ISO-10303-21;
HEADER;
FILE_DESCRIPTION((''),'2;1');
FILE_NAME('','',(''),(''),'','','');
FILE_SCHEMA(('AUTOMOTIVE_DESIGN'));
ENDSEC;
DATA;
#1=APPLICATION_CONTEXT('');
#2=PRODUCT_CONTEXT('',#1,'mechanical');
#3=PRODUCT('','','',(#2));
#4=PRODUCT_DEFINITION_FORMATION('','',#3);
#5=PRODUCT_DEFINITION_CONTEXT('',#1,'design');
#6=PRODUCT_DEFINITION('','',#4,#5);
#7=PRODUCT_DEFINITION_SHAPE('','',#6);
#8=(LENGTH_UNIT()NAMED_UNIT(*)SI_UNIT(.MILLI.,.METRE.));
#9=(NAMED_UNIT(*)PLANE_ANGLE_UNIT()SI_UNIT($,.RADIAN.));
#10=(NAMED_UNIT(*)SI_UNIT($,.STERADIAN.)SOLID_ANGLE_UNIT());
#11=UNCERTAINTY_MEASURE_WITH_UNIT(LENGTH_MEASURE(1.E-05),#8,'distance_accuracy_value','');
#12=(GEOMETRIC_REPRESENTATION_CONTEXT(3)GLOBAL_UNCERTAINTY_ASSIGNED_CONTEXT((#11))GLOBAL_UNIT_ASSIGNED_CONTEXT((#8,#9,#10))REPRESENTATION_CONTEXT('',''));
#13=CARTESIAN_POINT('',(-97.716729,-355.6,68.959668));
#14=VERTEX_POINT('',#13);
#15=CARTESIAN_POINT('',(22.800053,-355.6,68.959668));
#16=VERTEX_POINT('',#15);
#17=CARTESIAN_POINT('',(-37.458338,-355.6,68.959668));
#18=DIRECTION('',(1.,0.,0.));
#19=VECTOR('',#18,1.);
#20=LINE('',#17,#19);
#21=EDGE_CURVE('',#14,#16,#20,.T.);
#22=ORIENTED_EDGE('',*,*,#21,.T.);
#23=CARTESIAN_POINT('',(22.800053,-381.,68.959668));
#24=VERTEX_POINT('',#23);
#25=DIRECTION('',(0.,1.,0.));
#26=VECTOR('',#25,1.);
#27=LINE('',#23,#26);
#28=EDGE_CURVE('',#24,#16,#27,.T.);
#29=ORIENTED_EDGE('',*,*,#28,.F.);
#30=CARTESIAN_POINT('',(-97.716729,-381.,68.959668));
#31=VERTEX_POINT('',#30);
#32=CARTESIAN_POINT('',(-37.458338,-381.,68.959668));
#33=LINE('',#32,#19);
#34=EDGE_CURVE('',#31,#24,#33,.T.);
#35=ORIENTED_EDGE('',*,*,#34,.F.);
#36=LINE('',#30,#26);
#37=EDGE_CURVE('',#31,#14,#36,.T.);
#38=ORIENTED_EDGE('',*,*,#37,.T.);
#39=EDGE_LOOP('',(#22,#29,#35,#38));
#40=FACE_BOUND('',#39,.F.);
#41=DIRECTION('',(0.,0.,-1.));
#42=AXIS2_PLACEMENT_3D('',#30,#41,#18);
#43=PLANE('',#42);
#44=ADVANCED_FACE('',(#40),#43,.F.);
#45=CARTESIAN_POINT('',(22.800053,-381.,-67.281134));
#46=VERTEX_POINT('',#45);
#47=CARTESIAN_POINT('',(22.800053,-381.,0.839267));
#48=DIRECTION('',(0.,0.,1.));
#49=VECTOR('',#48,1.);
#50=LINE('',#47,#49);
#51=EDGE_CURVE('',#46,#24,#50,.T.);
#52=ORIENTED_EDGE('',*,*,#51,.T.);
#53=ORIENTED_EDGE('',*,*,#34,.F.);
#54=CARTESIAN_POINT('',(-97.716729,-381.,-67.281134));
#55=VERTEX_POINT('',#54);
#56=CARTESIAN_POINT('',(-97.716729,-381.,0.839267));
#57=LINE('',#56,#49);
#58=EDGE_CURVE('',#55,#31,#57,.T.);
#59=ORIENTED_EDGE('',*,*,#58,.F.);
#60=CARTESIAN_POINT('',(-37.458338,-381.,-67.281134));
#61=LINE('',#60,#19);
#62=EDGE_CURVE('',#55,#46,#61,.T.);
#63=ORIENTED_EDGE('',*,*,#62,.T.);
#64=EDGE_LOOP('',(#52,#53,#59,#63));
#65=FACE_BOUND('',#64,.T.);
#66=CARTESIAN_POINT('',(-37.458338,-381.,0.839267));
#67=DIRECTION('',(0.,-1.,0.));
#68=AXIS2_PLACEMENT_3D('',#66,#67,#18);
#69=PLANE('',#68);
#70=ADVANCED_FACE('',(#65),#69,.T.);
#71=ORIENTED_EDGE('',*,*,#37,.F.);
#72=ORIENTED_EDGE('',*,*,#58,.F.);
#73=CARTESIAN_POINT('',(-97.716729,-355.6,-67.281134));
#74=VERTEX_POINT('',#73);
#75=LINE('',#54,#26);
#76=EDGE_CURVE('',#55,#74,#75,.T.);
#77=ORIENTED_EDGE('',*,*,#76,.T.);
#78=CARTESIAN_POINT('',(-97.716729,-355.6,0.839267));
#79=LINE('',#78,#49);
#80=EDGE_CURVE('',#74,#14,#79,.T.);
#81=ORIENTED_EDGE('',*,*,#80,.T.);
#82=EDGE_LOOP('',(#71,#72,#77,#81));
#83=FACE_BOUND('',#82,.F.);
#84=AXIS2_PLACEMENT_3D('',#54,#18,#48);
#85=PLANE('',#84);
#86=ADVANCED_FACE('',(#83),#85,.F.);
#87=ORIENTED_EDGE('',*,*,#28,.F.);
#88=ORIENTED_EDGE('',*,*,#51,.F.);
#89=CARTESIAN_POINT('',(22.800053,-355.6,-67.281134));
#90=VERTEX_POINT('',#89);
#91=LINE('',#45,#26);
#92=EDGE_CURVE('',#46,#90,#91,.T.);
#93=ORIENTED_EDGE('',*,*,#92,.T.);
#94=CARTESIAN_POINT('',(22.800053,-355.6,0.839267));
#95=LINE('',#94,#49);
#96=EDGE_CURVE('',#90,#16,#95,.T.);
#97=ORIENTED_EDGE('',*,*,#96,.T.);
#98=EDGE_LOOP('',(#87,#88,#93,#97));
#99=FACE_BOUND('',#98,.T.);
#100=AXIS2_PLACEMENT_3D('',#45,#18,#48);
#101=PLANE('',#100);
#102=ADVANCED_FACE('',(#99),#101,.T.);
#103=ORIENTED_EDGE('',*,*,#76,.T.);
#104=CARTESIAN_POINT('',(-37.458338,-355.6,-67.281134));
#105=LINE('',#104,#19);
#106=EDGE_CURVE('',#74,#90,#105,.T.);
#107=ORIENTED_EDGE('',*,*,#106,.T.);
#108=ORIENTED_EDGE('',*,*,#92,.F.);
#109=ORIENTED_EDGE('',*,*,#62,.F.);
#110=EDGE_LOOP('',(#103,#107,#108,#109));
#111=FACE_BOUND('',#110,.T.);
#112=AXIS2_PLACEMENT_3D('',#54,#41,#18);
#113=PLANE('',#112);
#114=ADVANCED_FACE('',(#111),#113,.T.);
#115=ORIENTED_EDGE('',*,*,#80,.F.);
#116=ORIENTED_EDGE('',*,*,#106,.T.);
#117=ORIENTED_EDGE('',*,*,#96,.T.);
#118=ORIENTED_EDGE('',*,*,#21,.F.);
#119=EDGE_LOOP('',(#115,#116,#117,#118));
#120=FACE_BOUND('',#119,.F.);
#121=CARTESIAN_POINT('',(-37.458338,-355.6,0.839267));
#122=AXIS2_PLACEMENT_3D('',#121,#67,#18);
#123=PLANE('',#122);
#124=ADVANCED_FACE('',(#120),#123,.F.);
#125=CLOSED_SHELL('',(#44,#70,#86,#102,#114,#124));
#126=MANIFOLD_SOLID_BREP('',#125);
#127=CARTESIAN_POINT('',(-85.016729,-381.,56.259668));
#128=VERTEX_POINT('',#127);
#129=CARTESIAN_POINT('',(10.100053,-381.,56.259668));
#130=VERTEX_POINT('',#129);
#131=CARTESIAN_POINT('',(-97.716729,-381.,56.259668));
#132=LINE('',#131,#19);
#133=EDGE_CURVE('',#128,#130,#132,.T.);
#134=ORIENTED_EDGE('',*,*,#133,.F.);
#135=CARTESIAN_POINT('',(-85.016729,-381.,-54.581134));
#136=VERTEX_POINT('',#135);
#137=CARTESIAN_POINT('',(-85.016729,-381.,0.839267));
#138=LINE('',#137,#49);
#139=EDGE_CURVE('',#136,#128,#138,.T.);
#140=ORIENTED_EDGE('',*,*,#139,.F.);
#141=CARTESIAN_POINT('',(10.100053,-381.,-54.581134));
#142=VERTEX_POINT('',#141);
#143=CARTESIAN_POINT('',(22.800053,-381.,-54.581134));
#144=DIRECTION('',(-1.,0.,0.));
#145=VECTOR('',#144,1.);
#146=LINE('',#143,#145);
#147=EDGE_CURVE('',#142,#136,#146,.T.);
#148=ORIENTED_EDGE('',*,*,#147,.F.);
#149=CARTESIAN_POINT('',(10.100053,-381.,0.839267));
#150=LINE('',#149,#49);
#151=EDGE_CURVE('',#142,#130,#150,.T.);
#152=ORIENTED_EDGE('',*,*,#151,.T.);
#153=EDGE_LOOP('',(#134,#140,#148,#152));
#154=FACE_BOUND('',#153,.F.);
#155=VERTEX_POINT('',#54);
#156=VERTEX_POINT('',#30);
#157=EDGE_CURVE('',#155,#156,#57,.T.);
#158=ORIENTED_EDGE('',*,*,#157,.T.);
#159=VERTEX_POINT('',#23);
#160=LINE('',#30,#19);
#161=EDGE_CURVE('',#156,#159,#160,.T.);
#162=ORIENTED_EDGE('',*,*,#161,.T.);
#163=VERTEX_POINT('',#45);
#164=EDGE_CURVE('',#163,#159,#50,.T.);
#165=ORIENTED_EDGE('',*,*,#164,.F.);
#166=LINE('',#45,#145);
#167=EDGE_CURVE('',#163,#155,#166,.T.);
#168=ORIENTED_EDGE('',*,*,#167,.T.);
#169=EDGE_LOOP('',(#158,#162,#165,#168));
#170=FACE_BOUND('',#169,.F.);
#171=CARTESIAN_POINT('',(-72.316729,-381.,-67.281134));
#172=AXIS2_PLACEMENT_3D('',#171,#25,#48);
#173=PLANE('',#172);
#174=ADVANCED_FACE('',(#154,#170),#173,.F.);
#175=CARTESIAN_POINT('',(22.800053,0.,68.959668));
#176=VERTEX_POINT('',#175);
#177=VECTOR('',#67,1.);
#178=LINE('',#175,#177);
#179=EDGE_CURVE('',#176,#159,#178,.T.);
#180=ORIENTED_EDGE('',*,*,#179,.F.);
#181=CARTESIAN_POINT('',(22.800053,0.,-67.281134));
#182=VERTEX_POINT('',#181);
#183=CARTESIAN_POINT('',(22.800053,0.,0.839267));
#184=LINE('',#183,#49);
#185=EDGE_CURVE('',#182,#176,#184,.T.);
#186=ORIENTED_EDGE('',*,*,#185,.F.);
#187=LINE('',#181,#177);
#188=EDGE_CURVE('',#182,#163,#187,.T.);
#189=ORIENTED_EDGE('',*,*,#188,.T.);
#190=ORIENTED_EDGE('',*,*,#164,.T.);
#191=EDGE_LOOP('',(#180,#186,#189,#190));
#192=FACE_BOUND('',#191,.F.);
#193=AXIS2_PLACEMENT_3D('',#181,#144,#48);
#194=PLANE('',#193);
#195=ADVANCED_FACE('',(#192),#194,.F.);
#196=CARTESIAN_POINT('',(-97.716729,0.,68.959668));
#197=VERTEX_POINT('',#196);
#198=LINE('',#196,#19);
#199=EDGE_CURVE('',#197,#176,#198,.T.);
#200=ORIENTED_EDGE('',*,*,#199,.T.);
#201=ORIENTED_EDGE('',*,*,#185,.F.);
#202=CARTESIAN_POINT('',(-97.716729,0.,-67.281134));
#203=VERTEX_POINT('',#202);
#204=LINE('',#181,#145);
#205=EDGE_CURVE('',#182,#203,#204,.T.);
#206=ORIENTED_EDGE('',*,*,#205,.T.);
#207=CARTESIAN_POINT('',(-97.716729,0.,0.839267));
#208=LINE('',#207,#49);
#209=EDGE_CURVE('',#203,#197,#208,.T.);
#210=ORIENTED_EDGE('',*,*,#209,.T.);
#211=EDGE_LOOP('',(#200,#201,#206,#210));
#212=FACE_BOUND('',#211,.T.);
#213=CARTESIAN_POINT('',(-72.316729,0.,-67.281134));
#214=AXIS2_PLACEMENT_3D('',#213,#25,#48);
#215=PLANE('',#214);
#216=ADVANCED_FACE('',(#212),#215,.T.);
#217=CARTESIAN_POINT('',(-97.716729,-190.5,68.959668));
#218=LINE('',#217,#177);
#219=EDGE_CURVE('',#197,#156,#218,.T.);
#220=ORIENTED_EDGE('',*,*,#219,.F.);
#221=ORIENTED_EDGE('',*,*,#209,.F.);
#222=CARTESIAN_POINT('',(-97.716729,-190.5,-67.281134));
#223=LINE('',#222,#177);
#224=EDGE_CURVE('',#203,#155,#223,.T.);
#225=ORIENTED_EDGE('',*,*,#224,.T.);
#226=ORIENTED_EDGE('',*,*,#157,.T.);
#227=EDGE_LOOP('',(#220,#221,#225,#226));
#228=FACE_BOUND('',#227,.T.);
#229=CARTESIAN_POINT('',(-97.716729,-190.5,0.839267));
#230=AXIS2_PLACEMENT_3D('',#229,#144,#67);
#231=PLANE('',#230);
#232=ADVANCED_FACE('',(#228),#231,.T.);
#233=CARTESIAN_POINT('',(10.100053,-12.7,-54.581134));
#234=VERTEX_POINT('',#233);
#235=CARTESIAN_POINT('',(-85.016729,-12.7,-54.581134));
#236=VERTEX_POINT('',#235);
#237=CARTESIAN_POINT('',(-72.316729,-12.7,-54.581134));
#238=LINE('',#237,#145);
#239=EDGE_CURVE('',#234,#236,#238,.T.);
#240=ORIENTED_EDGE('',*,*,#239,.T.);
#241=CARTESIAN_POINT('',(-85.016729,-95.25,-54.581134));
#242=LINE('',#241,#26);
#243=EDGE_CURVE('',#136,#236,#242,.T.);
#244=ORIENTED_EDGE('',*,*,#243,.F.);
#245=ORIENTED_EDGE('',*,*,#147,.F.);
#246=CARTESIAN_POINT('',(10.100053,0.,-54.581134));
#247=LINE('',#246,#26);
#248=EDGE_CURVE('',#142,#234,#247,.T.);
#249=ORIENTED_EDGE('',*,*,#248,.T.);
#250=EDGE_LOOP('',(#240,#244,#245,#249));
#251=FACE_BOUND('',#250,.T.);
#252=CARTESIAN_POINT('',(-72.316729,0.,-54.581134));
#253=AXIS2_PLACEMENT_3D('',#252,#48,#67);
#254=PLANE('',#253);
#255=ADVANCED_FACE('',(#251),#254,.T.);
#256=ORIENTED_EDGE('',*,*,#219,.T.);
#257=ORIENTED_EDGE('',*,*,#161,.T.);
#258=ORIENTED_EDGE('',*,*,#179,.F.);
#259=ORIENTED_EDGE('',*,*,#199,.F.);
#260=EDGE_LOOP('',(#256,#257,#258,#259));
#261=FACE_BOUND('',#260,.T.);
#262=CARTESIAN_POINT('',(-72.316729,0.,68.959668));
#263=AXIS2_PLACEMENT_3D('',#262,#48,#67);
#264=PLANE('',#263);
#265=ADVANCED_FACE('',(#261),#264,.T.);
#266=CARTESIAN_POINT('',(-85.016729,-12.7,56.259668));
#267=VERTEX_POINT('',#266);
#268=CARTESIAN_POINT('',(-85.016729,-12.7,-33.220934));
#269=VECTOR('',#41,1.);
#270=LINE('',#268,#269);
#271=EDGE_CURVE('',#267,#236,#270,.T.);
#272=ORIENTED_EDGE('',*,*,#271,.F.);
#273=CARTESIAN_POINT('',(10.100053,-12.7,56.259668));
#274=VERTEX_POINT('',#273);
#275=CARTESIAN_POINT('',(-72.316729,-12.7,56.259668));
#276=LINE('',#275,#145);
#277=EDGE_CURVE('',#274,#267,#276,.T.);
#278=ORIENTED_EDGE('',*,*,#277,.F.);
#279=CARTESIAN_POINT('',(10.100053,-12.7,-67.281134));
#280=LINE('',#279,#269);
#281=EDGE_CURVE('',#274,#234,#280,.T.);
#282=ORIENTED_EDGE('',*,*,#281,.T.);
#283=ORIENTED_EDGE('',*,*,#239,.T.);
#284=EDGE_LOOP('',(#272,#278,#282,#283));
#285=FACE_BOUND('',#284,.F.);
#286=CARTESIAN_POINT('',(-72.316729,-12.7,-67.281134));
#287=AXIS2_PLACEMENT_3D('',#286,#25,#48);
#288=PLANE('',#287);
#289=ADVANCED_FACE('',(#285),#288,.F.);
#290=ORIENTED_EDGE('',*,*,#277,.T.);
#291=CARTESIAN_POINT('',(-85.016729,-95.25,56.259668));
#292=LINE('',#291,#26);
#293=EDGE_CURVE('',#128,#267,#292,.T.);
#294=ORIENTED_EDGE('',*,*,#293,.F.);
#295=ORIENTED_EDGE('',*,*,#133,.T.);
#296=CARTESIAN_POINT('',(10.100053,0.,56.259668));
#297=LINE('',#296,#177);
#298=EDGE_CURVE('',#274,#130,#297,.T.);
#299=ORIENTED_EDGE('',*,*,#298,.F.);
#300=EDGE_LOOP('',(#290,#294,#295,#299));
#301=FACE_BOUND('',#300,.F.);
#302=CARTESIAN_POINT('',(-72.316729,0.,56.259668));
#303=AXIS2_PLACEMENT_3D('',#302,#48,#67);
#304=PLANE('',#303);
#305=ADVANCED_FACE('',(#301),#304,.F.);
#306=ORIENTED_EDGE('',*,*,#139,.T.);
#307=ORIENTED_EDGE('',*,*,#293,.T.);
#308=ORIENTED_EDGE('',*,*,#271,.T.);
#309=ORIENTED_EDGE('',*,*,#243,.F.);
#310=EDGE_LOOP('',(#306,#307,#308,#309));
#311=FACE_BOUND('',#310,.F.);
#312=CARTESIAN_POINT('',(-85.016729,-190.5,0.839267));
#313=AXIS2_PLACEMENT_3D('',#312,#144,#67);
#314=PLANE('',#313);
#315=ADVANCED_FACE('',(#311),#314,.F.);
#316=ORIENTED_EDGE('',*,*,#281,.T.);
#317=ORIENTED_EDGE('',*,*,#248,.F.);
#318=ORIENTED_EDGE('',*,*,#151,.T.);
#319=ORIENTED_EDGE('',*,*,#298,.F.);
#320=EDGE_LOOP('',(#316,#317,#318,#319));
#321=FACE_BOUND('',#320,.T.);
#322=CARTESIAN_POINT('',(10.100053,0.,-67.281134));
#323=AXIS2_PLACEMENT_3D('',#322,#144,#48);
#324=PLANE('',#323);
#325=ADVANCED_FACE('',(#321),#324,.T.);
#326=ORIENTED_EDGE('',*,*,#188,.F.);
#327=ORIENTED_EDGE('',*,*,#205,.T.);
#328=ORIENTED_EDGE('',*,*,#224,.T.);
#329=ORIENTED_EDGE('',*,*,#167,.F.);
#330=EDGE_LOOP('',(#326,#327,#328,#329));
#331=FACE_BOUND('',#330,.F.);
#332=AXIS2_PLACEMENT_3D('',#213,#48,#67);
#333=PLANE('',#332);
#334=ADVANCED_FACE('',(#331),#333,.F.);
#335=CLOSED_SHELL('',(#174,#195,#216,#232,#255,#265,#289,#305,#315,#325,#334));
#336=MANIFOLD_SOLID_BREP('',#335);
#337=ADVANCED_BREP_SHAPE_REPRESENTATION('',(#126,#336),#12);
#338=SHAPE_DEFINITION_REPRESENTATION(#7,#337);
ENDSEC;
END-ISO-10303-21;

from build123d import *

# Parameters (mm, degrees)
F0_W      = 95.116782
F0_H      = 136.240802
F1_DEPTH  = 381
F1_FACE_W = 381
F1_FACE_H = 136.240802
F2_DEPTH  = 25.4
F2_FACE_W = 120.516782
F2_FACE_H = 136.240802
F3_DEPTH  = 25.4
F4_T      = -12.7


with BuildPart() as f1:
    # F0 (on Front) → F1 (new body)
    with BuildSketch(Plane.XZ):
        with Locations((-24.758338, 0.839267)):
            Rectangle(F0_W, F0_H)
    extrude(amount=F1_DEPTH)

    # F1_face (on face) → F2 (join)
    with BuildSketch(Plane(origin=(-72.316729, -190.5, 0.839267), x_dir=(0, -1, 0), z_dir=(-1, 0, 0))):
        Rectangle(F1_FACE_W, F1_FACE_H)
    extrude(amount=F2_DEPTH)

    # F4
    f4_openings = [f1.faces().sort_by_distance(p)[0] for p in [
        (-37.458338, -381, 0.839267),
    ]]
    offset(amount=F4_T, openings=f4_openings)


with BuildPart() as f3:
    # F2_face (on face) → F3 (new body)
    with BuildSketch(Plane(origin=(-37.458338, -381, 0.839267), x_dir=(1, 0, 0), z_dir=(0, -1, 0))):
        Rectangle(F2_FACE_W, F2_FACE_H)
    extrude(amount=-F3_DEPTH)


solid = Compound([f1.part, f3.part])
